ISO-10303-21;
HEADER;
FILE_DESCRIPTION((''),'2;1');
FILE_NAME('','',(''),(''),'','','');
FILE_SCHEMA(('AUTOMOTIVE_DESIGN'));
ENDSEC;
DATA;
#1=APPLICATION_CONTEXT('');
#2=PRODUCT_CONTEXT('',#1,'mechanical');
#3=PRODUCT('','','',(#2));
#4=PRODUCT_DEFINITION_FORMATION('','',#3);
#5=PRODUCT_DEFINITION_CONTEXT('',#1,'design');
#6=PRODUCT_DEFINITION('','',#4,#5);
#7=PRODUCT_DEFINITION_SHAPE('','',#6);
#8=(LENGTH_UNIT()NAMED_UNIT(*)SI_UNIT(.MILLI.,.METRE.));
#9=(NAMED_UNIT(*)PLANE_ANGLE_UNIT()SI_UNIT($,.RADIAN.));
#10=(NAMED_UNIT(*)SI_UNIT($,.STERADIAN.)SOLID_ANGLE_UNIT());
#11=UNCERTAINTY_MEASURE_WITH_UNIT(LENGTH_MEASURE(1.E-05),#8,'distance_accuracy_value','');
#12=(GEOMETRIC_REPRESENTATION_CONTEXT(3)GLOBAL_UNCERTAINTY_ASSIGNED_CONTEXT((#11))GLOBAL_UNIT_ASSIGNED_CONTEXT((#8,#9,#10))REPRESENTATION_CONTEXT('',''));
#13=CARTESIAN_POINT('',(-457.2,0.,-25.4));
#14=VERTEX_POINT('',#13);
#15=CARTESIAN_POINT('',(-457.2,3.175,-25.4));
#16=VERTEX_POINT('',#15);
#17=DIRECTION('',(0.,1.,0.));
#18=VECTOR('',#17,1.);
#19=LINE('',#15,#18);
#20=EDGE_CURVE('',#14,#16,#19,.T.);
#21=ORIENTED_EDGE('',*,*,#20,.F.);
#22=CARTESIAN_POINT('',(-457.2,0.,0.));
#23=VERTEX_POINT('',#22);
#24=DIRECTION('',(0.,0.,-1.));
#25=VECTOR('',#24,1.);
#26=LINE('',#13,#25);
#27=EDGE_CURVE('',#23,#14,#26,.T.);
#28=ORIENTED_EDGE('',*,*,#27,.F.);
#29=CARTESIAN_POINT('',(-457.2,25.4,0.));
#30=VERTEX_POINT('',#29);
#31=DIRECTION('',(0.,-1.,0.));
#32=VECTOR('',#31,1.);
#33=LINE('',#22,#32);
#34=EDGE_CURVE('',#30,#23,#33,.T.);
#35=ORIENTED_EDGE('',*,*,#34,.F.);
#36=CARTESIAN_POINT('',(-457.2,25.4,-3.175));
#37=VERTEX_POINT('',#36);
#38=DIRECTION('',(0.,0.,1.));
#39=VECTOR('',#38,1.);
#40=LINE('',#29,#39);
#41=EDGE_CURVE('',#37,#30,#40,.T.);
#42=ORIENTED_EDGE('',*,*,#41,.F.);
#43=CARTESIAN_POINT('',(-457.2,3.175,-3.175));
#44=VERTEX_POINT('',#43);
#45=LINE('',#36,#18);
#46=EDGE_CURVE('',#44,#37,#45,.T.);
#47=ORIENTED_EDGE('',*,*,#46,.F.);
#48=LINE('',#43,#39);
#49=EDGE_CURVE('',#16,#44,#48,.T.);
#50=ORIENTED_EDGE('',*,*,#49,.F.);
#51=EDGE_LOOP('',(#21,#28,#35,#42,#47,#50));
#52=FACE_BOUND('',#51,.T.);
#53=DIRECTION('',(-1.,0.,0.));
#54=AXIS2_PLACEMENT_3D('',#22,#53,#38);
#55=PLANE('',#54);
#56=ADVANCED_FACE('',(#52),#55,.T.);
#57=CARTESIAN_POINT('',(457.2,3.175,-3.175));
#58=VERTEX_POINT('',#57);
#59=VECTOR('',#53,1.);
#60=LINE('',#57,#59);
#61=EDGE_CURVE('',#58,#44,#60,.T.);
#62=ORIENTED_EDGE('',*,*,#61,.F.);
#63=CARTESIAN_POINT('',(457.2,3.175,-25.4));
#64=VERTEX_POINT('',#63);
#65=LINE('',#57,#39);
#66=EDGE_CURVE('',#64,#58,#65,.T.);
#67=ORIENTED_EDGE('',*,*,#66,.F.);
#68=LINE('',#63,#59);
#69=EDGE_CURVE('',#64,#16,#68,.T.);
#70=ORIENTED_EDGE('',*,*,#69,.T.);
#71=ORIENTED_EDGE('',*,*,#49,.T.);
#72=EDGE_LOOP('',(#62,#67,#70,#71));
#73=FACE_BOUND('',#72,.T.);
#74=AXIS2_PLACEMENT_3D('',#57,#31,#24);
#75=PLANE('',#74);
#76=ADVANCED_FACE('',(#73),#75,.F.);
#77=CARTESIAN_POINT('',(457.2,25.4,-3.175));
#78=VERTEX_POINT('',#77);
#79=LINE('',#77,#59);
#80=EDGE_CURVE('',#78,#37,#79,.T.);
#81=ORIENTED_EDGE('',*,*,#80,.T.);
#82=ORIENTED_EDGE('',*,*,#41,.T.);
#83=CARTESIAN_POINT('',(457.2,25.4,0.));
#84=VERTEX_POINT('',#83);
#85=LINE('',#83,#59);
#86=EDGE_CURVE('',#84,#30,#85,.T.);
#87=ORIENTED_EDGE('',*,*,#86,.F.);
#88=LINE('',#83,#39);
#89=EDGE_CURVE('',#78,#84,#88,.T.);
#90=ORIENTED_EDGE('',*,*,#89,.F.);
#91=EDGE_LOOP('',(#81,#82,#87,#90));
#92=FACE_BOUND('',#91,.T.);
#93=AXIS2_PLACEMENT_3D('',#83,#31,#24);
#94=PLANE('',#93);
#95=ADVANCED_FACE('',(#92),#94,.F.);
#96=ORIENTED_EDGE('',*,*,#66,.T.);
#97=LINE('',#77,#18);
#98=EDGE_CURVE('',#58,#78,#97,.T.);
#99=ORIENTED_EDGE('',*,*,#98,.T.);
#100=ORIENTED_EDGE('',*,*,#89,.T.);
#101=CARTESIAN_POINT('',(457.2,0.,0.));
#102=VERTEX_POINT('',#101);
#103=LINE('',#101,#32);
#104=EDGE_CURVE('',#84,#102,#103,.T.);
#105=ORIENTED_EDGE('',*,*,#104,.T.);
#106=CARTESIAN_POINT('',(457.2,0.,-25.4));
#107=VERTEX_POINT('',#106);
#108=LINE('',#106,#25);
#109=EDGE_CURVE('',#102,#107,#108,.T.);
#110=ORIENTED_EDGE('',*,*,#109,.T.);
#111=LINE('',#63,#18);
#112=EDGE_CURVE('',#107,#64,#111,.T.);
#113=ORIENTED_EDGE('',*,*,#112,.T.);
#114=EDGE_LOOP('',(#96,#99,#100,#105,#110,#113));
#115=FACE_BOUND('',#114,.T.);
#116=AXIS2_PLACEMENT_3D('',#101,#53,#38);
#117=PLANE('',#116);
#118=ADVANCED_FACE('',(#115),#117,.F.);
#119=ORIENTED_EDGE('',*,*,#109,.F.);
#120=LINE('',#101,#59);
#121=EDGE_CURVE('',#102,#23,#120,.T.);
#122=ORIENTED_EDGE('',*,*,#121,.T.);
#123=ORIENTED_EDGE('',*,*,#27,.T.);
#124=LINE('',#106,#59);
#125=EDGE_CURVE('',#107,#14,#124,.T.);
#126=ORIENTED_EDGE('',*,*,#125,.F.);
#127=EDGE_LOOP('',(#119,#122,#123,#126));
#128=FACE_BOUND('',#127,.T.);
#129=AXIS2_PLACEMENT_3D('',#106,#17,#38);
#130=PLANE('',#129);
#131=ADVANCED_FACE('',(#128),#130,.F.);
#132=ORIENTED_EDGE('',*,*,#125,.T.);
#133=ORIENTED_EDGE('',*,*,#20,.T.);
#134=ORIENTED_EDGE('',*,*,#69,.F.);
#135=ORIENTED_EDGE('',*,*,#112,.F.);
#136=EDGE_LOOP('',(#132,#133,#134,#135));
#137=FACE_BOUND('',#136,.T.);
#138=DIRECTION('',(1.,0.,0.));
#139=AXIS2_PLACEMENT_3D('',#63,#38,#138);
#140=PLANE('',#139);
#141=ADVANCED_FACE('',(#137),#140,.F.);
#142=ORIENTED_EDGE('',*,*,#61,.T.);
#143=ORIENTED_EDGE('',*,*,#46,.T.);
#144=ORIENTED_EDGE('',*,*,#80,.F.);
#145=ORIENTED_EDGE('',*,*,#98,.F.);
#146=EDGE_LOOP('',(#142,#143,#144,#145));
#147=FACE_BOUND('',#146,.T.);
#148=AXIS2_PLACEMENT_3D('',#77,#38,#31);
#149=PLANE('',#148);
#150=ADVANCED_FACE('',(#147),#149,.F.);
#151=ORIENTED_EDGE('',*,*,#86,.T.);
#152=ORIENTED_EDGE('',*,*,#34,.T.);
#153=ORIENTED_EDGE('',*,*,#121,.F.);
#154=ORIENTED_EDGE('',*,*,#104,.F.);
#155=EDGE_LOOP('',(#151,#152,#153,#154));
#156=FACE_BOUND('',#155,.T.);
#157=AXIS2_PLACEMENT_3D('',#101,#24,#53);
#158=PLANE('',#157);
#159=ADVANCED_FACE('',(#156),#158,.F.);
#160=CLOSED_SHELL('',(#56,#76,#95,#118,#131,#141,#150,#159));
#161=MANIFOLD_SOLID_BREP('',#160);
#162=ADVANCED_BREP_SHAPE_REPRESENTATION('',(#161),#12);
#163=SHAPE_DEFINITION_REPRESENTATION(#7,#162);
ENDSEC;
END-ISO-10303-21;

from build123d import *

# Parameters (mm, degrees)
BOSS_EXTRUDE1_DEPTH = 457.2


with BuildPart() as part:
    # Sketch1 → Boss-Extrude1 (new body, symmetric)
    with BuildSketch(Plane(origin=(0, 0, 0), x_dir=(0, 0, -1), z_dir=(1, 0, 0))):
        Polygon((0, 0), (0, 25.4), (3.175, 25.4), (3.175, 3.175), (25.4, 3.175), (25.4, 0), align=None)
    extrude(amount=BOSS_EXTRUDE1_DEPTH, both=True)


solid = part.part
